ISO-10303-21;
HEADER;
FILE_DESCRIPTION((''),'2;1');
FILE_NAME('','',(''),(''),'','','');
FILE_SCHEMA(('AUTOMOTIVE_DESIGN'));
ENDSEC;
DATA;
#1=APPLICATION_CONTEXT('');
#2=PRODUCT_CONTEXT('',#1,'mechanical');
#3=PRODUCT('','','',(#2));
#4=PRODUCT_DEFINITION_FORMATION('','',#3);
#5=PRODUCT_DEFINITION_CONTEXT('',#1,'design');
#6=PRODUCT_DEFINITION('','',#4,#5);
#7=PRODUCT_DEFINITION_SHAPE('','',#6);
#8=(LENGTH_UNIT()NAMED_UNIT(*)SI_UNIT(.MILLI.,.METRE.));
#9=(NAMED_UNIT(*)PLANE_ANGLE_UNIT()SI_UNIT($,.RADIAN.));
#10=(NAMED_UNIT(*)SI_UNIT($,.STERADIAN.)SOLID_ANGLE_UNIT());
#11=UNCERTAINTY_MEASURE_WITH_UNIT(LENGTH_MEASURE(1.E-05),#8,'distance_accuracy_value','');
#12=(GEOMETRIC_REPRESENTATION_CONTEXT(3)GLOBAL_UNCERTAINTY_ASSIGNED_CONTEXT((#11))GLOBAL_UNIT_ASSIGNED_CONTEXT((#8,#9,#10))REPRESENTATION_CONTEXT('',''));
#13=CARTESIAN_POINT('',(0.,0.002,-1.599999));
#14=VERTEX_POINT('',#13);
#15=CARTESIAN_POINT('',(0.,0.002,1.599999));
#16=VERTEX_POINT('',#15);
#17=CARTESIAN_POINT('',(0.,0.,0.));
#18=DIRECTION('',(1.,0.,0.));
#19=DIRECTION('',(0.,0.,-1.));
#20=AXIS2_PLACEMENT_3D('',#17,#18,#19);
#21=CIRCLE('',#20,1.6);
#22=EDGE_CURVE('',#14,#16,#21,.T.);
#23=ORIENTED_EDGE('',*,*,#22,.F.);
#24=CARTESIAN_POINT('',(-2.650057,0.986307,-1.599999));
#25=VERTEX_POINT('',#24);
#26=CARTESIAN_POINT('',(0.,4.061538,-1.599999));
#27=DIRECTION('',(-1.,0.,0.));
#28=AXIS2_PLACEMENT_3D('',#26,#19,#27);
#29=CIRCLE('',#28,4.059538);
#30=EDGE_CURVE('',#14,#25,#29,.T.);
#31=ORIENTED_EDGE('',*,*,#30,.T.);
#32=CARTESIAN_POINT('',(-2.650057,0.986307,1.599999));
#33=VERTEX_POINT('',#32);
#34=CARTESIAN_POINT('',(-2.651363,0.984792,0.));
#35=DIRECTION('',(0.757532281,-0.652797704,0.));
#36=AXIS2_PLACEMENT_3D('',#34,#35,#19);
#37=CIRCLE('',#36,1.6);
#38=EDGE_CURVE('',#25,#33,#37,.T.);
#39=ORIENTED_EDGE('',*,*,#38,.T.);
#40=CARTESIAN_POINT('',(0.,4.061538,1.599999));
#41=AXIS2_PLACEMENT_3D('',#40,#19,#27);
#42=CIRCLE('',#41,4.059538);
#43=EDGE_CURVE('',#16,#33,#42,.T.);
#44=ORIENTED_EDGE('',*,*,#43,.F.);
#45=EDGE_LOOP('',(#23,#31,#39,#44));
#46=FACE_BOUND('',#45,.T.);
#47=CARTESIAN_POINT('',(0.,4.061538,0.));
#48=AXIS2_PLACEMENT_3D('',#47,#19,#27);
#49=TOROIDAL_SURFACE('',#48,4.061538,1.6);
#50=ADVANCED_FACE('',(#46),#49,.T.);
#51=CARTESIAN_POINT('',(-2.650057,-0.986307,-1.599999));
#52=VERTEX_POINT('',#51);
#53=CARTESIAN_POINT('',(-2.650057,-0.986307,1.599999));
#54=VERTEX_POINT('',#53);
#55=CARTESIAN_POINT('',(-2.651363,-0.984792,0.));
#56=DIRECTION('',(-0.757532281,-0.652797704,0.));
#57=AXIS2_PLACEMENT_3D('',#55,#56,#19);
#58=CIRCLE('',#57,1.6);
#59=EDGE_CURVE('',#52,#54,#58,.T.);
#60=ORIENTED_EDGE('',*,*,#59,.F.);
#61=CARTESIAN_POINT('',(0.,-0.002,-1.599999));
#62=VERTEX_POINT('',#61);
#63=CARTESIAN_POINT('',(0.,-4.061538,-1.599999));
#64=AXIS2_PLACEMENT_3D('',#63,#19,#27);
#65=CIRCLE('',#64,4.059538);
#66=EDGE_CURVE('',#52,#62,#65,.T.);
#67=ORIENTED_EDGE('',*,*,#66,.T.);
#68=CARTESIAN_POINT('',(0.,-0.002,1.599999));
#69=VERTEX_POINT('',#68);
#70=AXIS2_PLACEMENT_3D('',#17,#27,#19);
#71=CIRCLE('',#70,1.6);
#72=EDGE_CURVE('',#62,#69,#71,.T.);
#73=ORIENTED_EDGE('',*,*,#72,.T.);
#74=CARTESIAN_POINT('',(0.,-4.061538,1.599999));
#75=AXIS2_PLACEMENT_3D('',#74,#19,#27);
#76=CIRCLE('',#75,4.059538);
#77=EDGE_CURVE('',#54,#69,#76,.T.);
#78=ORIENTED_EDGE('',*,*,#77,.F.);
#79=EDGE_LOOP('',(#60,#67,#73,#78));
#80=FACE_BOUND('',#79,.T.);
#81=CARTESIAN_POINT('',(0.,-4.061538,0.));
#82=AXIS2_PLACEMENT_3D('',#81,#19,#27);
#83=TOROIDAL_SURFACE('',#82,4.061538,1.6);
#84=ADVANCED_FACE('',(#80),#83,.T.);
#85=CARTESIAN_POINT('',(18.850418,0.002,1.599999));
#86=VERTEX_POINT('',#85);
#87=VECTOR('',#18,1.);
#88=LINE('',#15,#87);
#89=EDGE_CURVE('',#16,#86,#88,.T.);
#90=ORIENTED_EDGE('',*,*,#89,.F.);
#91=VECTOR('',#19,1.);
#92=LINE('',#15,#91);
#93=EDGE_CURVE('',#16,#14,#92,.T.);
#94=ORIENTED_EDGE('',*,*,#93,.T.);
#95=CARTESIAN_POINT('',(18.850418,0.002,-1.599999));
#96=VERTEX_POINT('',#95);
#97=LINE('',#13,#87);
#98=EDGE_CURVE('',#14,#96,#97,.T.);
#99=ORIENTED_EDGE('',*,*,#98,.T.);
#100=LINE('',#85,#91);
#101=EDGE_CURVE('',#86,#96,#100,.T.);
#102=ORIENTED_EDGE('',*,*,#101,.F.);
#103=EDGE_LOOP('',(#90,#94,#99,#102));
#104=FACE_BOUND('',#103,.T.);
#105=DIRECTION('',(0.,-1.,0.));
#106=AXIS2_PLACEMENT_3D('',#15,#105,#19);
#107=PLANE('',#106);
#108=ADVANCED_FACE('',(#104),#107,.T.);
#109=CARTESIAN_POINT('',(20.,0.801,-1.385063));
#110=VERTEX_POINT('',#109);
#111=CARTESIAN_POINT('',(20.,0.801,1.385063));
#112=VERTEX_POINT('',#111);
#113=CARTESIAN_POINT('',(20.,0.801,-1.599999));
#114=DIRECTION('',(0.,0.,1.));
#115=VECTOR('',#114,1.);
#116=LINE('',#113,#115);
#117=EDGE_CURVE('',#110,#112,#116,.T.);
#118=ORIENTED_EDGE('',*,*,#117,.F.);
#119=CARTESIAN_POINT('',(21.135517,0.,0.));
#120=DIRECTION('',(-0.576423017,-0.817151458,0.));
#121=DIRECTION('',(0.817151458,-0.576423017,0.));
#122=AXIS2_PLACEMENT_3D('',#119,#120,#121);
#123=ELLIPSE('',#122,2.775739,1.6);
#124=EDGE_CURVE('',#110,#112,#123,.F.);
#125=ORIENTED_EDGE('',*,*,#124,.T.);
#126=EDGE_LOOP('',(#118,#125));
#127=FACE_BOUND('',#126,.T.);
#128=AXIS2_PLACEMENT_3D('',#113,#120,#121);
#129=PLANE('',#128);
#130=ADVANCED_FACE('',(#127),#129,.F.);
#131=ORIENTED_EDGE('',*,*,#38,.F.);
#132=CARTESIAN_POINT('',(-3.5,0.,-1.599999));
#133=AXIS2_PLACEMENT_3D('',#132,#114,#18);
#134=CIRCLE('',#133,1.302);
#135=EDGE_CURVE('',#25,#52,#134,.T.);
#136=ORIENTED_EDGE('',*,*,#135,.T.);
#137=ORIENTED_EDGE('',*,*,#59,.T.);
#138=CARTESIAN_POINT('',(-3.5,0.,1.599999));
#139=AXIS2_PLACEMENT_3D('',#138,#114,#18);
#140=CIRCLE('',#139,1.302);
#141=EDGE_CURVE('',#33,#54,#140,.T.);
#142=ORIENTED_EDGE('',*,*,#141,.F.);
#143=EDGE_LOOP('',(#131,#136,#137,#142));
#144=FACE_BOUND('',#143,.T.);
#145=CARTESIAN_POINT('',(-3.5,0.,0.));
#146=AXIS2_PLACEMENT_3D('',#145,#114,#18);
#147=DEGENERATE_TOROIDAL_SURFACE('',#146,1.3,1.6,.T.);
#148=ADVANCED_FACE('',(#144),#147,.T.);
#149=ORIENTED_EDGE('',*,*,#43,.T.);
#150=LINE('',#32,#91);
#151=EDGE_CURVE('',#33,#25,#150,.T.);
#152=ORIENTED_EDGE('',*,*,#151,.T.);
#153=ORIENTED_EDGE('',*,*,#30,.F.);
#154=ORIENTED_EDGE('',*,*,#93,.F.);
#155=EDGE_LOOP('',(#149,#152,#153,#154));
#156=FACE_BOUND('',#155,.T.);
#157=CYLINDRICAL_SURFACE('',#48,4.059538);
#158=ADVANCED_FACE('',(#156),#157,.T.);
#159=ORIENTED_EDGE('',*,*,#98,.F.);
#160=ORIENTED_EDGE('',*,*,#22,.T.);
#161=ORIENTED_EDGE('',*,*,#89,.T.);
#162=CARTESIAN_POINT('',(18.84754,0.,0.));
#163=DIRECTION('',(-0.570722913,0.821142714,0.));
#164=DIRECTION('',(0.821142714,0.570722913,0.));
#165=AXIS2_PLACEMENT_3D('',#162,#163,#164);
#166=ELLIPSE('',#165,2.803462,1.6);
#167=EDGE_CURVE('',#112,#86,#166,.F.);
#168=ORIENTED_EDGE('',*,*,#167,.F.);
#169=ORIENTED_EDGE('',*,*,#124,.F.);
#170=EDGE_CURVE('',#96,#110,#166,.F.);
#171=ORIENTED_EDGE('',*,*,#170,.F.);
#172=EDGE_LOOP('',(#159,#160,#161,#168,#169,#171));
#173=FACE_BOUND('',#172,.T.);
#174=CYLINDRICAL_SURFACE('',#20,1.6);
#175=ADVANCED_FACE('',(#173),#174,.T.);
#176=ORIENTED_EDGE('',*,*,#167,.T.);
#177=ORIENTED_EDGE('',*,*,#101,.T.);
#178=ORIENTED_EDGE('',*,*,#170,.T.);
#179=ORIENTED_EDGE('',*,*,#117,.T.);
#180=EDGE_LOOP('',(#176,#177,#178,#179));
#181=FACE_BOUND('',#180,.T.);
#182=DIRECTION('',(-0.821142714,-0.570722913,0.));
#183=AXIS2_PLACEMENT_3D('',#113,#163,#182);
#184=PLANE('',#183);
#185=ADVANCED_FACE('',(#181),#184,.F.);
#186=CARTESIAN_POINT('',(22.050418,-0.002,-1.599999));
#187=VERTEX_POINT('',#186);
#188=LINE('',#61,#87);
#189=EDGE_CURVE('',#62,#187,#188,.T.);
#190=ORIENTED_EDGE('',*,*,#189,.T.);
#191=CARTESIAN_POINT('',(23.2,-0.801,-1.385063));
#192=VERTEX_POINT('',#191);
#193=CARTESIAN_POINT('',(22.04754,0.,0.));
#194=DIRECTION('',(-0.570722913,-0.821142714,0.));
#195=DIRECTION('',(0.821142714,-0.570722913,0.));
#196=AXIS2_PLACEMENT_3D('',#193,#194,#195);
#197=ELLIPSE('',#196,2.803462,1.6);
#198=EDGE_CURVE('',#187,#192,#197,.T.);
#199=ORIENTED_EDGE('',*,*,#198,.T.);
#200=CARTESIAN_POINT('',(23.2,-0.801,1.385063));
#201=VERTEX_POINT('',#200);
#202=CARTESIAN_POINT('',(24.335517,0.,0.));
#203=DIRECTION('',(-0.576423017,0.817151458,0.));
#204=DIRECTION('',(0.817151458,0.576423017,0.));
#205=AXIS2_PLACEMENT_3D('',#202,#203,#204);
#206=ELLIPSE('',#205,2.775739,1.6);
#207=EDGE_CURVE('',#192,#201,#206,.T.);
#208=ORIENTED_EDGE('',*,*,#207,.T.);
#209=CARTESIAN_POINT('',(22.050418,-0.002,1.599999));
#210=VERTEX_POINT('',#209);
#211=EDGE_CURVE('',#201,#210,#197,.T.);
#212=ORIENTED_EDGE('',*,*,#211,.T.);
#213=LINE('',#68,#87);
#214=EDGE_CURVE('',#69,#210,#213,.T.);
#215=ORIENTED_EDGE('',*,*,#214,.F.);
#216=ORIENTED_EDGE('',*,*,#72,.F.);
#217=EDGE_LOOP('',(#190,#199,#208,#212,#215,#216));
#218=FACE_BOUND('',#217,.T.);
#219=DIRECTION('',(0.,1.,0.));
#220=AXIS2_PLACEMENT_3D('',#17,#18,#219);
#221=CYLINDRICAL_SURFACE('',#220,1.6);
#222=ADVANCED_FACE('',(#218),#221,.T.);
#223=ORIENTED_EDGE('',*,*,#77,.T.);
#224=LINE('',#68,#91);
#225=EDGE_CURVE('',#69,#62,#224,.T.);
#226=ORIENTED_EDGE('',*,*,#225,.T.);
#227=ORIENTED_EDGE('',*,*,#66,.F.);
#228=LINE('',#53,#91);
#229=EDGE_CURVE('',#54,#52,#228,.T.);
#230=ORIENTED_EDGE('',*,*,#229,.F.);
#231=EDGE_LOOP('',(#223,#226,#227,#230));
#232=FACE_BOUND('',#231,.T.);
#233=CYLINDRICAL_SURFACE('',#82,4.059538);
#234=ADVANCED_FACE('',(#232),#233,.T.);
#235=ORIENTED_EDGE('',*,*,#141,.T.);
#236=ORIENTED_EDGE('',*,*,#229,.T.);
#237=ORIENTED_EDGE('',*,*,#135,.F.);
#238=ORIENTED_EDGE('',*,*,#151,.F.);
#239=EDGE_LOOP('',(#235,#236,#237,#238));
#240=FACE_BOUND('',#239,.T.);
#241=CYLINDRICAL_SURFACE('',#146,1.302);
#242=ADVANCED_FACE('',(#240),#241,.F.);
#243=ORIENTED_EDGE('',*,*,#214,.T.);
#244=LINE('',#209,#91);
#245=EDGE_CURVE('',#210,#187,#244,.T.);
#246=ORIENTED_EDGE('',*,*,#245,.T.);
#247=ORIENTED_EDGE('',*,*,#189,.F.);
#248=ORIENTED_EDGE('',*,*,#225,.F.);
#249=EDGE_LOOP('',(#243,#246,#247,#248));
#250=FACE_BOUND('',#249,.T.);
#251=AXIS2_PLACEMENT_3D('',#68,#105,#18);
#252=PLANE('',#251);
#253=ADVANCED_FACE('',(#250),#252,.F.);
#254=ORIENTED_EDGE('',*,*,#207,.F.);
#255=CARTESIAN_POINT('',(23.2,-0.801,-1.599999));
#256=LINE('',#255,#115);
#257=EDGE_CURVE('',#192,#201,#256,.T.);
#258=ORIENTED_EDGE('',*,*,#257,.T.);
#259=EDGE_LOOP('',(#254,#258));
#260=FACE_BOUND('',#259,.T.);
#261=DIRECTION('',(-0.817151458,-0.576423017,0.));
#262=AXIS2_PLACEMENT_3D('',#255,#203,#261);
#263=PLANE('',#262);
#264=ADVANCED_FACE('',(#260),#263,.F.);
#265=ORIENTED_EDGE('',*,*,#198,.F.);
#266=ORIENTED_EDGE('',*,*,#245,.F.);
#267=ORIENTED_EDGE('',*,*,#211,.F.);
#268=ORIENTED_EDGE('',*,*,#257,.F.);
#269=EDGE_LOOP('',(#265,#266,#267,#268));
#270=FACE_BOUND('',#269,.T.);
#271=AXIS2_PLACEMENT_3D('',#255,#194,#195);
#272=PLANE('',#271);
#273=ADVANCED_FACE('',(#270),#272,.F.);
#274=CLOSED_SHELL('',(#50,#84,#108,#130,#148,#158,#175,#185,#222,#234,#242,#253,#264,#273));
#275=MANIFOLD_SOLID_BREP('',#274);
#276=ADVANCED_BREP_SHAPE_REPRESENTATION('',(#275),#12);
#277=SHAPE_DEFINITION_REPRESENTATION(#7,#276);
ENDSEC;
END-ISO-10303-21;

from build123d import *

# Parameters (mm, degrees)
CONECUT_DEPTH      = 2.59999885
CONECUT_DEPTH_BACK = 2.59999885


with BuildPart() as part:
    # Body: sweep along a path in 草图2
    with BuildLine(Plane.XY) as body_path:
        Line((20, 1.6), (0, 1.6))
        ThreePointArc((0, 1.6), (-0.857074534, 1.7540301), (-1.606886657, 2.196843615))
        ThreePointArc((-1.606886657, 2.196843615), (-6.4, 0), (-1.606886657, -2.196843615))
        ThreePointArc((-1.606886657, -2.196843615), (-0.857074534, -1.7540301), (0, -1.6))
        Line((0, -1.6), (23.2, -1.6))
    # 草图1 → Body (sweep)
    with BuildSketch(Plane(origin=(20, 0, 0), x_dir=(0, 0, -1), z_dir=(1, 0, 0))):
        with BuildLine():
            Line((-1.59999875, 0.002), (1.59999875, 0.002))
            ThreePointArc((1.59999875, 0.002), (0, 1.6), (-1.59999875, 0.002))
        make_face()
    sweep(path=body_path.line)

    # 草图3 → ConeCut (cut, two sides)
    with BuildSketch(Plane.XY) as conecut_sk:
        Polygon((20, 0.801), (18.853141685, 1.61), (23.21, 1.61), (23.21, -1.61), (22.053141685, -1.61), (23.2, -0.801), (22.047540024, 0), (18.847540024, 0), align=None)
    extrude(amount=CONECUT_DEPTH, mode=Mode.SUBTRACT)
    extrude(conecut_sk.sketch, amount=-CONECUT_DEPTH_BACK, mode=Mode.SUBTRACT)


solid = part.part
